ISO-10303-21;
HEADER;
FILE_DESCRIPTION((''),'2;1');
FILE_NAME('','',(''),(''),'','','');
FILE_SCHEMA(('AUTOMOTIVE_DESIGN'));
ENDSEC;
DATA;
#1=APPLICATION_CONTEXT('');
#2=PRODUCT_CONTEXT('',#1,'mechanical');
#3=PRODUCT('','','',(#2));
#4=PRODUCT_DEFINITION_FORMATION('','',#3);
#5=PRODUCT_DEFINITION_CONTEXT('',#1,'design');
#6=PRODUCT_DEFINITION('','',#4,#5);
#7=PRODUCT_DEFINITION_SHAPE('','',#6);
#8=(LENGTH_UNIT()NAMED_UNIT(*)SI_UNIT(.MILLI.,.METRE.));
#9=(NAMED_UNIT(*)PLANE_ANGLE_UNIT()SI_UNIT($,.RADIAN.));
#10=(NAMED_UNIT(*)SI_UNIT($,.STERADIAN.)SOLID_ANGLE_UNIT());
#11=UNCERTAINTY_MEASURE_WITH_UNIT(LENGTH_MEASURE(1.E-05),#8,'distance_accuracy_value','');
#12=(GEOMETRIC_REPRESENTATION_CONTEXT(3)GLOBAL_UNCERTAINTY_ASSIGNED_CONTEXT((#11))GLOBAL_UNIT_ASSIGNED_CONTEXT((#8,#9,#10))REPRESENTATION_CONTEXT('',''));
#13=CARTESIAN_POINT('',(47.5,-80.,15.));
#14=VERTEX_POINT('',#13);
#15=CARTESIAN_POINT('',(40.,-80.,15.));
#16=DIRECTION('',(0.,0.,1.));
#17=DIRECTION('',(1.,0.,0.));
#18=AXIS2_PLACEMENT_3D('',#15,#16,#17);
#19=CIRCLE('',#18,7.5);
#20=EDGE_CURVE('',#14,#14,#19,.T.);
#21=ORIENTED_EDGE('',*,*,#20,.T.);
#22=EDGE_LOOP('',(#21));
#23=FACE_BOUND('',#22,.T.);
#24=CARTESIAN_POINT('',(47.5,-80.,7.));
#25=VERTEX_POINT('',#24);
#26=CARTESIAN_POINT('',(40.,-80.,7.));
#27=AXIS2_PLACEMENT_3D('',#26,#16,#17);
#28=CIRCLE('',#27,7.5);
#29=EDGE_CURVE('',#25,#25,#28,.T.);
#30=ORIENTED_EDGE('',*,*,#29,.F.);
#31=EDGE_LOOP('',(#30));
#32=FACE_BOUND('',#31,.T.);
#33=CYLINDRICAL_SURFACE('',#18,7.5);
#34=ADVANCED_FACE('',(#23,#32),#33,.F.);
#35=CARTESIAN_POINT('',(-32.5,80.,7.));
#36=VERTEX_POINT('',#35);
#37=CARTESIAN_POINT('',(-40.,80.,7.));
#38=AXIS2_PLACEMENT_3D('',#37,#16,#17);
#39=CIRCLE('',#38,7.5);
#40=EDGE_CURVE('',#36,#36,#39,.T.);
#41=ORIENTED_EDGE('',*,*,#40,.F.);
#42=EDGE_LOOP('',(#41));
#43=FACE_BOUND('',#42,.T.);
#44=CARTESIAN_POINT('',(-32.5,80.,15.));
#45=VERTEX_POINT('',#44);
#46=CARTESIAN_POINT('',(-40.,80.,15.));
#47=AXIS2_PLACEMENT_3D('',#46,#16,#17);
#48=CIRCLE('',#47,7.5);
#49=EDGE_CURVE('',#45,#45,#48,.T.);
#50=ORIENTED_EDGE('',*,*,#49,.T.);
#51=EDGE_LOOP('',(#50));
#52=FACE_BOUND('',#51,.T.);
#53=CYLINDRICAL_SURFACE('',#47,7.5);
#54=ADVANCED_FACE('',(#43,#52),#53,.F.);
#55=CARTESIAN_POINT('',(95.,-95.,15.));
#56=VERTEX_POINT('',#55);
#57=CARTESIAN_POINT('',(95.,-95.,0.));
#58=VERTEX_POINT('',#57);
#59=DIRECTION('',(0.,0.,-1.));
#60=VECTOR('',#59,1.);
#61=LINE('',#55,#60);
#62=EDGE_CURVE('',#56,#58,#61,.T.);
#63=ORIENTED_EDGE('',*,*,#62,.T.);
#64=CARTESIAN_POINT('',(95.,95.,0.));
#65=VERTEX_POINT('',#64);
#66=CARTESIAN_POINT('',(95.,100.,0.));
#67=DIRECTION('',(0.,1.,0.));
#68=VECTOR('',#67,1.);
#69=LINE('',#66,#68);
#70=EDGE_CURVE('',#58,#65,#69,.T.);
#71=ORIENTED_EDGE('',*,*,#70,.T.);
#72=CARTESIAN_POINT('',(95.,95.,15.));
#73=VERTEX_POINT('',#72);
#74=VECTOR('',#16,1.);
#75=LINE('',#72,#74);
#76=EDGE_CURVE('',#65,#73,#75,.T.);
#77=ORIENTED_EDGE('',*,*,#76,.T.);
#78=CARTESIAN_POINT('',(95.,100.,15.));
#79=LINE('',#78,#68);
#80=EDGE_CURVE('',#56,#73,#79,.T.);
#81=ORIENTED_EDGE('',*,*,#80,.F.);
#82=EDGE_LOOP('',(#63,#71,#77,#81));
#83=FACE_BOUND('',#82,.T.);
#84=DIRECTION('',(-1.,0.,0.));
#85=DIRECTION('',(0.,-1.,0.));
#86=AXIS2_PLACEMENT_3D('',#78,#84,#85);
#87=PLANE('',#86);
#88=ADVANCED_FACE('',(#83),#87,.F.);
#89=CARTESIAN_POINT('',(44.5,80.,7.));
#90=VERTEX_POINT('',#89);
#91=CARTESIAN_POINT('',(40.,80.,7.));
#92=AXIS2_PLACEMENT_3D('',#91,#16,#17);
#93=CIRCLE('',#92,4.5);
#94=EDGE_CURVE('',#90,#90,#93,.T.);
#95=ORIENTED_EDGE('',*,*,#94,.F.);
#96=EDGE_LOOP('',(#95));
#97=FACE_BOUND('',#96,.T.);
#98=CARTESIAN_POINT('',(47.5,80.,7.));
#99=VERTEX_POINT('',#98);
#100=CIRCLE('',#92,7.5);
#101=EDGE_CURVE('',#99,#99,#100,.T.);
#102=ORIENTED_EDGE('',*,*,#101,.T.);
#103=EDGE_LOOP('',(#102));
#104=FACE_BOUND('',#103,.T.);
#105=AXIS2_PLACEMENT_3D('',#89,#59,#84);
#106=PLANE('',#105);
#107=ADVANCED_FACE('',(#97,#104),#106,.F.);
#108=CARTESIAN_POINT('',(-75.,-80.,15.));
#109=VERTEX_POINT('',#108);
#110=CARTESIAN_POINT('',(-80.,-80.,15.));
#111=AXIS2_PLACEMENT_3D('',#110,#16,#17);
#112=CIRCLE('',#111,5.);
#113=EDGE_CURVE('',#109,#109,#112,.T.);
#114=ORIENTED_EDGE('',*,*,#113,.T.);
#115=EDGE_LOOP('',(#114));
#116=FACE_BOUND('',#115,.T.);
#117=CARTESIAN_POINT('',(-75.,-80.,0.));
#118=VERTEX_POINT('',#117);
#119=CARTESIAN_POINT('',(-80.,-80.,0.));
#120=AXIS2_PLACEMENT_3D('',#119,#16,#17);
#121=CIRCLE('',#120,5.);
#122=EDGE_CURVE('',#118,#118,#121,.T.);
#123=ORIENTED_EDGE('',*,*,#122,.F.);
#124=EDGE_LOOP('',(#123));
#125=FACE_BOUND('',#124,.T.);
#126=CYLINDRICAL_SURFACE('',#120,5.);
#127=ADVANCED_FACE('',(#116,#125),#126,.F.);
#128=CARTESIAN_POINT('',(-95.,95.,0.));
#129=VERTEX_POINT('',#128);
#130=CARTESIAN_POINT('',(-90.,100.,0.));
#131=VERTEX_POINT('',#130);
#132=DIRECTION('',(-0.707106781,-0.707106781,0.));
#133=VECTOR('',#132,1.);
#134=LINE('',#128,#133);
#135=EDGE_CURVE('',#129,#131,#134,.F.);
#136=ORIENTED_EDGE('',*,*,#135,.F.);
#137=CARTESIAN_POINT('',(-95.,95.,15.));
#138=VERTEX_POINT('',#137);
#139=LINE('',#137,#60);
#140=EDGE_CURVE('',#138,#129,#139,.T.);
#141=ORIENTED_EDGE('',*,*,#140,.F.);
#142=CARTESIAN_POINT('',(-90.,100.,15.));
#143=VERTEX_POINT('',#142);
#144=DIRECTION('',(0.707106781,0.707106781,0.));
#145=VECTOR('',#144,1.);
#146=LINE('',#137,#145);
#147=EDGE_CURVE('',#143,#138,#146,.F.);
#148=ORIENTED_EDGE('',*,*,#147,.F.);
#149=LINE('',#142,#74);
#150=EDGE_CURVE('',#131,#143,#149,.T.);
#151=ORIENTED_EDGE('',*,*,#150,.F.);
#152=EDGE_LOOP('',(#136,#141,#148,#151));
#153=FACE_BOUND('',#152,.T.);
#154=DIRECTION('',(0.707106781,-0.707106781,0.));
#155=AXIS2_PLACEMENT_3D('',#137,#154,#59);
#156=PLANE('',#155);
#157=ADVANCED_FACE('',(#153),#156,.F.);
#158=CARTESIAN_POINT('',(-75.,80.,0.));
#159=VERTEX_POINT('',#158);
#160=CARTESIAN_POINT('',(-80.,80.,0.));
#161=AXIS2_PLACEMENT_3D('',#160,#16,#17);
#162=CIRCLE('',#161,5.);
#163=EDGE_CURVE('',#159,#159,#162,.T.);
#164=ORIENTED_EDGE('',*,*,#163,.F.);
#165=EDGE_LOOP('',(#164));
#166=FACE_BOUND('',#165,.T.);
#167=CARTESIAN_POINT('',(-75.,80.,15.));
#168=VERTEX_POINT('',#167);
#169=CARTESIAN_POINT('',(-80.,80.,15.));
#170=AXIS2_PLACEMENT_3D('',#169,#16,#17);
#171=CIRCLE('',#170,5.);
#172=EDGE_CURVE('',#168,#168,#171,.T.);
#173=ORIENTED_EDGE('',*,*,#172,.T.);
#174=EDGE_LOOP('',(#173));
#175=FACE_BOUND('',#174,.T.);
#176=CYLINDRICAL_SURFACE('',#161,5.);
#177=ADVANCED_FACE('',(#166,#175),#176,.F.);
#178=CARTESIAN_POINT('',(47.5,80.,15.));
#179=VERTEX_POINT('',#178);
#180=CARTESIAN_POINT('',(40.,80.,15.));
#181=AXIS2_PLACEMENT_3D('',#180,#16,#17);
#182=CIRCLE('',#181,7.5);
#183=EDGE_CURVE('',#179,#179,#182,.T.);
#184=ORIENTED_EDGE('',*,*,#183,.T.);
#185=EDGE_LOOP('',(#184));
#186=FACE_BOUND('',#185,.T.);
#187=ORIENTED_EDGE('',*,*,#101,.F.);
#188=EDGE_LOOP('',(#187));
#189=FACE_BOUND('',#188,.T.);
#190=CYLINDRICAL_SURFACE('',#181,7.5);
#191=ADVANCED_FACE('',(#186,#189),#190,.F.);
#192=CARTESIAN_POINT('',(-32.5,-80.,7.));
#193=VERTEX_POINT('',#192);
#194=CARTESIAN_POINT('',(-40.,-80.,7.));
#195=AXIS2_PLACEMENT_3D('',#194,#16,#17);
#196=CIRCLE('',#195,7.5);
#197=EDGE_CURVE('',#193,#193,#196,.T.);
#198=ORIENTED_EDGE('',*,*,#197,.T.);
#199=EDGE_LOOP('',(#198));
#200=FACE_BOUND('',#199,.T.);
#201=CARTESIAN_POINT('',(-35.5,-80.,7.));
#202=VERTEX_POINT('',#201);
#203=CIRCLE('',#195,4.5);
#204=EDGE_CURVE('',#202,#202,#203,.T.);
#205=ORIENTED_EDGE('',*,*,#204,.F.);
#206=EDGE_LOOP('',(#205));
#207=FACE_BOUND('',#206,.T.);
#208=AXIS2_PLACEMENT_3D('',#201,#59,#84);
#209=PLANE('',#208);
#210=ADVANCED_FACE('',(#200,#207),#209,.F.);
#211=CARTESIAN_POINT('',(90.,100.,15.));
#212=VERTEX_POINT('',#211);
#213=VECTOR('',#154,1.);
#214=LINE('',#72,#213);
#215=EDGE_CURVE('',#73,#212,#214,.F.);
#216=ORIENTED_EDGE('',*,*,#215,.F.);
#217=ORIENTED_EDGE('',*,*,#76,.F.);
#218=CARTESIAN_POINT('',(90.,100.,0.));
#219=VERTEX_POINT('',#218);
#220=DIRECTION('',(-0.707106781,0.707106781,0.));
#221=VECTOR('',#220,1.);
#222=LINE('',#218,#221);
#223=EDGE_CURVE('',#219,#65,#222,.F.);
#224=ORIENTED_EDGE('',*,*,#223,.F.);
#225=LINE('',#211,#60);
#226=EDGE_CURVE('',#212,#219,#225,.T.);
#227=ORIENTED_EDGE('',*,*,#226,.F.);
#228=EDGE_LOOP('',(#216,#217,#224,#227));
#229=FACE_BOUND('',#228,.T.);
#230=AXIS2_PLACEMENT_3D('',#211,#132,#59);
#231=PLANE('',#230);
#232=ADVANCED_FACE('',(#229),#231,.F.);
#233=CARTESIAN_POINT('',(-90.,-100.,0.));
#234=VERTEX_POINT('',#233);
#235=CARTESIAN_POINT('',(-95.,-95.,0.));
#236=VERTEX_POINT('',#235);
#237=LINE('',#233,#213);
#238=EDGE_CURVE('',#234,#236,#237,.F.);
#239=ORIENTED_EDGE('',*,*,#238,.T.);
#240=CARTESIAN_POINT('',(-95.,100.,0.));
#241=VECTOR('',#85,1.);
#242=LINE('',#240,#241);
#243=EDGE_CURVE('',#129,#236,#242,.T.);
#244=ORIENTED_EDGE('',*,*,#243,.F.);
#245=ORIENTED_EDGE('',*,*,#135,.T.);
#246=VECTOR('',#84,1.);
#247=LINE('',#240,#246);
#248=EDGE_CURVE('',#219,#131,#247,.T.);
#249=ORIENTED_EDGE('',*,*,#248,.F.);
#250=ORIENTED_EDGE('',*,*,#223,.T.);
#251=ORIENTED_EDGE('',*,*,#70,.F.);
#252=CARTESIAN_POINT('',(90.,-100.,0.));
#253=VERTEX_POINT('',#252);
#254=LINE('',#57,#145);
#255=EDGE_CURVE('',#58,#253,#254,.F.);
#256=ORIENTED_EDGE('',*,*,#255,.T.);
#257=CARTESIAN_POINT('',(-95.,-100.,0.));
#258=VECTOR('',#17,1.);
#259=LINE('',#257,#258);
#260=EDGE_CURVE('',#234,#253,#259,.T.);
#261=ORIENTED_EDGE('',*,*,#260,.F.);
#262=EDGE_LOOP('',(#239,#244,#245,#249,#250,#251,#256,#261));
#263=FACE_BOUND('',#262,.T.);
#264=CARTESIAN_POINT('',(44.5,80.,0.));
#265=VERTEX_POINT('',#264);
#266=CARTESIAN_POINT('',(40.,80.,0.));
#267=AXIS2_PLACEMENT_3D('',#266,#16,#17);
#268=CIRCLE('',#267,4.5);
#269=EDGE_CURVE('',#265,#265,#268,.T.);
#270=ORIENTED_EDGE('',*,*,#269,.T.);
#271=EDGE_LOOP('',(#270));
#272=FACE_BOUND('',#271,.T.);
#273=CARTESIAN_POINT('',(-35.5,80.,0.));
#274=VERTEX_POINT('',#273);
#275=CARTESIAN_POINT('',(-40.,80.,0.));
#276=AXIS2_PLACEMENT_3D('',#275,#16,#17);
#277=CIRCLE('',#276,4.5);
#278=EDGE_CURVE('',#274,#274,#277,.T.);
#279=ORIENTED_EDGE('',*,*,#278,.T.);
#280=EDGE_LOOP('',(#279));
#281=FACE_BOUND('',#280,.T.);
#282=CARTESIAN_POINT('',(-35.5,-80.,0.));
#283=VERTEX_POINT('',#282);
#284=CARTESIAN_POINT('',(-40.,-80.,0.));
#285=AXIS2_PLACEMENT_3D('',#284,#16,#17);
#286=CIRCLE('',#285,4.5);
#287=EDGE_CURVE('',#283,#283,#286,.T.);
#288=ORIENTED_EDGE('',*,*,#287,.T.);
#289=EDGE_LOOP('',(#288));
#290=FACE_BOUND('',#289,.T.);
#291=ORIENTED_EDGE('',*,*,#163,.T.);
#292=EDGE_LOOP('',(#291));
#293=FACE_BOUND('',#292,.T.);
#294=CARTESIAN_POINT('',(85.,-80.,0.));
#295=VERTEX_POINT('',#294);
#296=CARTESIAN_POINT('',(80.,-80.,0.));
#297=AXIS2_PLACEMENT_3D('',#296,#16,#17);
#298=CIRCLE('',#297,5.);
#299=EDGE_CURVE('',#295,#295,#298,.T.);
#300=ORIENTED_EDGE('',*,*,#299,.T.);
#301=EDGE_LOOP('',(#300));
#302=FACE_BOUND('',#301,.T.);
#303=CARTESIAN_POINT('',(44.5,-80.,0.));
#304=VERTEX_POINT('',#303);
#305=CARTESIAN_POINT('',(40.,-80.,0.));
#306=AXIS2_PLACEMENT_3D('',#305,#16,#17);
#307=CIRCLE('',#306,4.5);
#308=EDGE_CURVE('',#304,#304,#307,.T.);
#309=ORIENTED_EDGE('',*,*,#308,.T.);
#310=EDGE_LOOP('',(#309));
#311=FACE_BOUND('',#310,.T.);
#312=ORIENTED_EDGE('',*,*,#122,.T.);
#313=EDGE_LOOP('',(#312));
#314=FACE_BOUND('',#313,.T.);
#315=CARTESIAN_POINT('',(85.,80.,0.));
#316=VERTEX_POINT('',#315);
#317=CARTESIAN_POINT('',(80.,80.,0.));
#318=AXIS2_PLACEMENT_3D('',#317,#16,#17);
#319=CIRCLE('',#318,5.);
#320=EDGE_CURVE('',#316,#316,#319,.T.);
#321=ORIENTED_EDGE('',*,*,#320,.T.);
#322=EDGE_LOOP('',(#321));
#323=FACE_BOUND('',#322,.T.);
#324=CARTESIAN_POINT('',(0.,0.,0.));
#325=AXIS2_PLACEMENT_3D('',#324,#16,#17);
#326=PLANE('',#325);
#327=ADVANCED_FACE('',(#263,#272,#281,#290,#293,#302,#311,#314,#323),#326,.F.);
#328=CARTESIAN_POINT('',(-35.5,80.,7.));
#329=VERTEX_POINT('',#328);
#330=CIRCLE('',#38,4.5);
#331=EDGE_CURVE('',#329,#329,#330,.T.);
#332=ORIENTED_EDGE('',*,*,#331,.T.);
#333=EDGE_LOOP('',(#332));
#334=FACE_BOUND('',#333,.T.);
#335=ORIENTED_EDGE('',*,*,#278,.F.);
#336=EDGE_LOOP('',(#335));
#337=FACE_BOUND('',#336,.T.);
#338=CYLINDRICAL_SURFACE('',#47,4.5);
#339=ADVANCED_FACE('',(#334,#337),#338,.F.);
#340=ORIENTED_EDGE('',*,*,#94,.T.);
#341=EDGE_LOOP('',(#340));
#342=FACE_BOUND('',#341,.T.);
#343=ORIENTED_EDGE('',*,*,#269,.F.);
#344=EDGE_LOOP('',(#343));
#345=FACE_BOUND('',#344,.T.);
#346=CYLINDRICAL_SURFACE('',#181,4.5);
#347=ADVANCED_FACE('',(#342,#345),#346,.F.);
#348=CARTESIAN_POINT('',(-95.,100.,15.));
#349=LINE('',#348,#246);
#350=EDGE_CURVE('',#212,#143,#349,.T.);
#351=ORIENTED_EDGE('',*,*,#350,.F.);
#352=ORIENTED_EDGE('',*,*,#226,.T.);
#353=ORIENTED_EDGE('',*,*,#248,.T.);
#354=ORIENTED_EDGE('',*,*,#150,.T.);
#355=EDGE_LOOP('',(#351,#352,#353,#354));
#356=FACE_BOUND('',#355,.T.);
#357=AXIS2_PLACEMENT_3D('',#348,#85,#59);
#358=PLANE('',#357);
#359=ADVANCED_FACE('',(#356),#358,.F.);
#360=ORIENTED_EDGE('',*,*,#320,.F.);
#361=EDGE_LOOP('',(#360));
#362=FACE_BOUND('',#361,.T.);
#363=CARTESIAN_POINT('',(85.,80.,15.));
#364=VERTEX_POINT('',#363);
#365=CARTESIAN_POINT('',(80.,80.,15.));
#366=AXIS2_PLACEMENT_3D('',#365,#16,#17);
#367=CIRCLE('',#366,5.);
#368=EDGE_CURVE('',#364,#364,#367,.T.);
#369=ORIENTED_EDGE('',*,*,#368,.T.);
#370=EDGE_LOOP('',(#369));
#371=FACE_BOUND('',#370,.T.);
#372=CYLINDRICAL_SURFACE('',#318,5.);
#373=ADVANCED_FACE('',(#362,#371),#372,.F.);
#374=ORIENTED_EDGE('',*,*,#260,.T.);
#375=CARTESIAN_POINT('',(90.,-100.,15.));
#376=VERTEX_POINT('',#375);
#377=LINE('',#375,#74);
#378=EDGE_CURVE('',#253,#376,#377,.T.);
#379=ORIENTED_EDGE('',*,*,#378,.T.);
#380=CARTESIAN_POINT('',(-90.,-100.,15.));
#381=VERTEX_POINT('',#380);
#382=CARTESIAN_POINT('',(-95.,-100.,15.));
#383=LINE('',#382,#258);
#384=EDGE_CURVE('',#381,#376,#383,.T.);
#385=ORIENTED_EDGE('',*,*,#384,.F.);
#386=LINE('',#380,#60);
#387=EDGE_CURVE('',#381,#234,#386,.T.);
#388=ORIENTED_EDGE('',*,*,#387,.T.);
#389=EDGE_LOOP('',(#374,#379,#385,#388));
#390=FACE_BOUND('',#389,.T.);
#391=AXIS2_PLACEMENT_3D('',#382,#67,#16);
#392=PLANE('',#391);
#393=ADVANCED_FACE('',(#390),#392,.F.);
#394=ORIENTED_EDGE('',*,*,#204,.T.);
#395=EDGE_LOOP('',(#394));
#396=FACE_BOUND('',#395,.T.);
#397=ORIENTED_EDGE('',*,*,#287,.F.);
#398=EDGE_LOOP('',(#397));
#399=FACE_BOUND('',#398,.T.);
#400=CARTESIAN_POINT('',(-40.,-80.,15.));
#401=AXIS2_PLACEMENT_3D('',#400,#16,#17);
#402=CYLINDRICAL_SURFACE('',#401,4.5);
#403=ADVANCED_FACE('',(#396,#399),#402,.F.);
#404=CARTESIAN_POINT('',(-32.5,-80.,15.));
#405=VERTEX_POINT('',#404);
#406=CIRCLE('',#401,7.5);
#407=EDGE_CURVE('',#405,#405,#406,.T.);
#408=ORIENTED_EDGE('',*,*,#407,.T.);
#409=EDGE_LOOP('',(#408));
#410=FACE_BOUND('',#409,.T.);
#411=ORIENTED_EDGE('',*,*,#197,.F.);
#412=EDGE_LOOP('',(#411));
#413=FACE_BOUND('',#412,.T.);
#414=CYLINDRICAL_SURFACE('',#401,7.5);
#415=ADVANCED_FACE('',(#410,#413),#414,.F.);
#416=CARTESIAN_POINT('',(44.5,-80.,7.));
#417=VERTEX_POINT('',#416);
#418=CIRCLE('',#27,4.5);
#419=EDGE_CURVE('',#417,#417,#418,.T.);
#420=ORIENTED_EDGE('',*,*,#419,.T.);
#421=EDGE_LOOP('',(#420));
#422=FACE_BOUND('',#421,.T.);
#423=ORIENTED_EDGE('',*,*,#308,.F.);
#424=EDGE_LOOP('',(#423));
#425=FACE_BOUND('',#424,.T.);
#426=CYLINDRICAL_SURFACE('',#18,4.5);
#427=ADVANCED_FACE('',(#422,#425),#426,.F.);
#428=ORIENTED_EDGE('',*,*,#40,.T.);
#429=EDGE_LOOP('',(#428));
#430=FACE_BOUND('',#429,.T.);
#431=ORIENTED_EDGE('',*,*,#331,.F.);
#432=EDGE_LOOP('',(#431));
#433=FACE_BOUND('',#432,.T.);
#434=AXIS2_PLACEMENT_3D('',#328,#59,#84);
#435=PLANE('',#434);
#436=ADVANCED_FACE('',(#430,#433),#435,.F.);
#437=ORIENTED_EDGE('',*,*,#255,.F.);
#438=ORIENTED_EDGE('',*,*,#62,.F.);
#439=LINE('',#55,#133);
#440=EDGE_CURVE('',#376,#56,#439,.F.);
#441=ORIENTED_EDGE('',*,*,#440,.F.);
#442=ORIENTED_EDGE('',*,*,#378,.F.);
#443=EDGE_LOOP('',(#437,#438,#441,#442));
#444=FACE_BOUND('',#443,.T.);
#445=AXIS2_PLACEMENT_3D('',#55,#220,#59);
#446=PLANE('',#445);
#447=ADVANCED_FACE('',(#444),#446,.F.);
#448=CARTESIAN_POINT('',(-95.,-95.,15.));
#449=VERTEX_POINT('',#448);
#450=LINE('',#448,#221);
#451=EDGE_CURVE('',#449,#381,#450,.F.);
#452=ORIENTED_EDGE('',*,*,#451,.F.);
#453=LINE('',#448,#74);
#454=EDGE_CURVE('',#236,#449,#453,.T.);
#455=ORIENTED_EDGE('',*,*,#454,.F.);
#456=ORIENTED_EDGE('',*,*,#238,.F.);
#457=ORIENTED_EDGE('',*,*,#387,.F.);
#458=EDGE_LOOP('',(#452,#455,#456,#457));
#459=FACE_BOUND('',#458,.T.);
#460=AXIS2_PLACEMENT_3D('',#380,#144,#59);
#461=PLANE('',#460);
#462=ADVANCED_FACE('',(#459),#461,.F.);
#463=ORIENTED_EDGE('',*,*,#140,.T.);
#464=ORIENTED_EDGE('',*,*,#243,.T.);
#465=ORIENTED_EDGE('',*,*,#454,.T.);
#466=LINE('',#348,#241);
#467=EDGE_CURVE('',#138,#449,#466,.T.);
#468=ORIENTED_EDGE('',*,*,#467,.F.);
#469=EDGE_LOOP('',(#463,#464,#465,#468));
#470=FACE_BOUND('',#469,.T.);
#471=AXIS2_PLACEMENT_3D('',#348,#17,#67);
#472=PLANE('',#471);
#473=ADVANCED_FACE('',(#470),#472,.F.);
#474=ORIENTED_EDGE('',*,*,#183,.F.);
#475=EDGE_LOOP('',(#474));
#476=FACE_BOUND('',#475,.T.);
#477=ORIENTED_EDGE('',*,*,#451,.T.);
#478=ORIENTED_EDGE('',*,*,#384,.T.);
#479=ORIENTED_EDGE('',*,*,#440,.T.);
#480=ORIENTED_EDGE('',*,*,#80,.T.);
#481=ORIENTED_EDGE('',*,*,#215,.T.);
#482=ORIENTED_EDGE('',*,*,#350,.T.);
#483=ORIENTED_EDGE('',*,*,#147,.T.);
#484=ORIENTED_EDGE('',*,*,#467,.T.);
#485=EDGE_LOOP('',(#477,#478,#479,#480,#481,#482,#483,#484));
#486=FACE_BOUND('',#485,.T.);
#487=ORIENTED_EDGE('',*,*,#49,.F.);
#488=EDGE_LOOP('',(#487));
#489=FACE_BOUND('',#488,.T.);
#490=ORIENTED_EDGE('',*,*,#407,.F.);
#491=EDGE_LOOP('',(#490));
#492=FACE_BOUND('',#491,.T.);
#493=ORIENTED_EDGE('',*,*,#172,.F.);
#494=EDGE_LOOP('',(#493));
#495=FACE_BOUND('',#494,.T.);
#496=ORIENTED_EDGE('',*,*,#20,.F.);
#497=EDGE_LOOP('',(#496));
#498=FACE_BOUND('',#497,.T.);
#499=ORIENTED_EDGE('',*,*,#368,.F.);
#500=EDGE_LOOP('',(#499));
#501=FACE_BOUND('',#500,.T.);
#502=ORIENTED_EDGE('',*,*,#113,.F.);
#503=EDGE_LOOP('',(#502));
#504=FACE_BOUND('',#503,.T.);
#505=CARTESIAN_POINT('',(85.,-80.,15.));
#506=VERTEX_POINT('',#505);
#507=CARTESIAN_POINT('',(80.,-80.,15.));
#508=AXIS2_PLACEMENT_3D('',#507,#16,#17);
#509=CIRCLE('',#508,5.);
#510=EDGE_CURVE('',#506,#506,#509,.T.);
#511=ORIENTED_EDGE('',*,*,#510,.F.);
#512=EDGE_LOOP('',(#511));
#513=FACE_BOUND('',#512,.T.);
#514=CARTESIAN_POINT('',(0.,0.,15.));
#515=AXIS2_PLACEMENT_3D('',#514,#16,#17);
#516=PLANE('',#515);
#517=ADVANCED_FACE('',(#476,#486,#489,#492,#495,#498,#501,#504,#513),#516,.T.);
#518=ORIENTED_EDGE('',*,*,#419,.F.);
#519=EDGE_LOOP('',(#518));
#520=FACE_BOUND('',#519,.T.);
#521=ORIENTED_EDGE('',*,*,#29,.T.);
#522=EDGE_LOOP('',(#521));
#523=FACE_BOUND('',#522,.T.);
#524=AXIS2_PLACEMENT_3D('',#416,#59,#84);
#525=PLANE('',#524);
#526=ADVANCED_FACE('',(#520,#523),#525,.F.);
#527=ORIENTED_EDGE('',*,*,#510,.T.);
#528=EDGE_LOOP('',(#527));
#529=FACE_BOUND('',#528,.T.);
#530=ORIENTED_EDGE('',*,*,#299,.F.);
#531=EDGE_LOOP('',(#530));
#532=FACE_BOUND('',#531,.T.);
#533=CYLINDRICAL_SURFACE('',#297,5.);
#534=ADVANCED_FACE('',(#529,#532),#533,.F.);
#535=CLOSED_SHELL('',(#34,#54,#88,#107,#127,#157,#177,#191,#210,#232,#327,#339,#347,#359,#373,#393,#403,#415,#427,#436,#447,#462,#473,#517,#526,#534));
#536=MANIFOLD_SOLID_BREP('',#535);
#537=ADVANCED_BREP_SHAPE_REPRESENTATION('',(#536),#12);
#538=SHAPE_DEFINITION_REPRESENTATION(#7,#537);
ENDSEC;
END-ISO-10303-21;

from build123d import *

# Parameters (mm, degrees)
CROQUIS1_W                                           = 190
CROQUIS1_H                                           = 200
SALIENTE_EXTRUIR1_DEPTH                              = 15
CROQUIS2_R                                           = 4
CORTAR_EXTRUIR1_DEPTH                                = 139.744369255
CROQUIS3_R                                           = 5
CORTAR_EXTRUIR2_DEPTH                                = 139.744369255
CHAFL_N1_SIZE                                        = 5
REFRENTADO_PARA_TORNILLO_TAP_N_CON_CABEZ_D           = 9
REFRENTADO_PARA_TORNILLO_TAP_N_CON_CABEZ_CBORE_D     = 15
REFRENTADO_PARA_TORNILLO_TAP_N_CON_CABEZ_CBORE_DEPTH = 8


with BuildPart() as part:
    # Croquis1 → Saliente-Extruir1 (new body)
    with BuildSketch(Plane.XY):
        Rectangle(CROQUIS1_W, CROQUIS1_H)
    extrude(amount=SALIENTE_EXTRUIR1_DEPTH)

    # Croquis2 → Cortar-Extruir1 (cut, through all)
    with BuildSketch(Plane.XY.offset(15)):
        with Locations((-40, 80)):
            Circle(CROQUIS2_R)
        with Locations((40, 80)):
            Circle(CROQUIS2_R)
        with Locations((40, -80)):
            Circle(CROQUIS2_R)
        with Locations((-40, -80)):
            Circle(CROQUIS2_R)
    extrude(amount=-CORTAR_EXTRUIR1_DEPTH, mode=Mode.SUBTRACT)

    # Croquis3 → Cortar-Extruir2 (cut, through all)
    with BuildSketch(Plane.XY.offset(15)):
        with Locations((-80, 80)):
            Circle(CROQUIS3_R)
        with Locations((80, 80)):
            Circle(CROQUIS3_R)
        with Locations((80, -80)):
            Circle(CROQUIS3_R)
        with Locations((-80, -80)):
            Circle(CROQUIS3_R)
    extrude(amount=-CORTAR_EXTRUIR2_DEPTH, mode=Mode.SUBTRACT)

    # Chaflán1
    chafl_n1_edges = [part.edges().sort_by_distance(p)[0] for p in [
        (95, -100, 7.5),
        (-95, -100, 7.5),
        (-95, 100, 7.5),
        (95, 100, 7.5),
    ]]
    chamfer(chafl_n1_edges, length=CHAFL_N1_SIZE)

    # Refrentado para tornillo tapón con cabeza de clavija de M81 (through all)
    with Locations(Plane.XY.offset(15)):
        with Locations((40, 80), (-40, 80), (-40, -80), (40, -80)):
            CounterBoreHole(REFRENTADO_PARA_TORNILLO_TAP_N_CON_CABEZ_D / 2, REFRENTADO_PARA_TORNILLO_TAP_N_CON_CABEZ_CBORE_D / 2, REFRENTADO_PARA_TORNILLO_TAP_N_CON_CABEZ_CBORE_DEPTH)


solid = part.part
